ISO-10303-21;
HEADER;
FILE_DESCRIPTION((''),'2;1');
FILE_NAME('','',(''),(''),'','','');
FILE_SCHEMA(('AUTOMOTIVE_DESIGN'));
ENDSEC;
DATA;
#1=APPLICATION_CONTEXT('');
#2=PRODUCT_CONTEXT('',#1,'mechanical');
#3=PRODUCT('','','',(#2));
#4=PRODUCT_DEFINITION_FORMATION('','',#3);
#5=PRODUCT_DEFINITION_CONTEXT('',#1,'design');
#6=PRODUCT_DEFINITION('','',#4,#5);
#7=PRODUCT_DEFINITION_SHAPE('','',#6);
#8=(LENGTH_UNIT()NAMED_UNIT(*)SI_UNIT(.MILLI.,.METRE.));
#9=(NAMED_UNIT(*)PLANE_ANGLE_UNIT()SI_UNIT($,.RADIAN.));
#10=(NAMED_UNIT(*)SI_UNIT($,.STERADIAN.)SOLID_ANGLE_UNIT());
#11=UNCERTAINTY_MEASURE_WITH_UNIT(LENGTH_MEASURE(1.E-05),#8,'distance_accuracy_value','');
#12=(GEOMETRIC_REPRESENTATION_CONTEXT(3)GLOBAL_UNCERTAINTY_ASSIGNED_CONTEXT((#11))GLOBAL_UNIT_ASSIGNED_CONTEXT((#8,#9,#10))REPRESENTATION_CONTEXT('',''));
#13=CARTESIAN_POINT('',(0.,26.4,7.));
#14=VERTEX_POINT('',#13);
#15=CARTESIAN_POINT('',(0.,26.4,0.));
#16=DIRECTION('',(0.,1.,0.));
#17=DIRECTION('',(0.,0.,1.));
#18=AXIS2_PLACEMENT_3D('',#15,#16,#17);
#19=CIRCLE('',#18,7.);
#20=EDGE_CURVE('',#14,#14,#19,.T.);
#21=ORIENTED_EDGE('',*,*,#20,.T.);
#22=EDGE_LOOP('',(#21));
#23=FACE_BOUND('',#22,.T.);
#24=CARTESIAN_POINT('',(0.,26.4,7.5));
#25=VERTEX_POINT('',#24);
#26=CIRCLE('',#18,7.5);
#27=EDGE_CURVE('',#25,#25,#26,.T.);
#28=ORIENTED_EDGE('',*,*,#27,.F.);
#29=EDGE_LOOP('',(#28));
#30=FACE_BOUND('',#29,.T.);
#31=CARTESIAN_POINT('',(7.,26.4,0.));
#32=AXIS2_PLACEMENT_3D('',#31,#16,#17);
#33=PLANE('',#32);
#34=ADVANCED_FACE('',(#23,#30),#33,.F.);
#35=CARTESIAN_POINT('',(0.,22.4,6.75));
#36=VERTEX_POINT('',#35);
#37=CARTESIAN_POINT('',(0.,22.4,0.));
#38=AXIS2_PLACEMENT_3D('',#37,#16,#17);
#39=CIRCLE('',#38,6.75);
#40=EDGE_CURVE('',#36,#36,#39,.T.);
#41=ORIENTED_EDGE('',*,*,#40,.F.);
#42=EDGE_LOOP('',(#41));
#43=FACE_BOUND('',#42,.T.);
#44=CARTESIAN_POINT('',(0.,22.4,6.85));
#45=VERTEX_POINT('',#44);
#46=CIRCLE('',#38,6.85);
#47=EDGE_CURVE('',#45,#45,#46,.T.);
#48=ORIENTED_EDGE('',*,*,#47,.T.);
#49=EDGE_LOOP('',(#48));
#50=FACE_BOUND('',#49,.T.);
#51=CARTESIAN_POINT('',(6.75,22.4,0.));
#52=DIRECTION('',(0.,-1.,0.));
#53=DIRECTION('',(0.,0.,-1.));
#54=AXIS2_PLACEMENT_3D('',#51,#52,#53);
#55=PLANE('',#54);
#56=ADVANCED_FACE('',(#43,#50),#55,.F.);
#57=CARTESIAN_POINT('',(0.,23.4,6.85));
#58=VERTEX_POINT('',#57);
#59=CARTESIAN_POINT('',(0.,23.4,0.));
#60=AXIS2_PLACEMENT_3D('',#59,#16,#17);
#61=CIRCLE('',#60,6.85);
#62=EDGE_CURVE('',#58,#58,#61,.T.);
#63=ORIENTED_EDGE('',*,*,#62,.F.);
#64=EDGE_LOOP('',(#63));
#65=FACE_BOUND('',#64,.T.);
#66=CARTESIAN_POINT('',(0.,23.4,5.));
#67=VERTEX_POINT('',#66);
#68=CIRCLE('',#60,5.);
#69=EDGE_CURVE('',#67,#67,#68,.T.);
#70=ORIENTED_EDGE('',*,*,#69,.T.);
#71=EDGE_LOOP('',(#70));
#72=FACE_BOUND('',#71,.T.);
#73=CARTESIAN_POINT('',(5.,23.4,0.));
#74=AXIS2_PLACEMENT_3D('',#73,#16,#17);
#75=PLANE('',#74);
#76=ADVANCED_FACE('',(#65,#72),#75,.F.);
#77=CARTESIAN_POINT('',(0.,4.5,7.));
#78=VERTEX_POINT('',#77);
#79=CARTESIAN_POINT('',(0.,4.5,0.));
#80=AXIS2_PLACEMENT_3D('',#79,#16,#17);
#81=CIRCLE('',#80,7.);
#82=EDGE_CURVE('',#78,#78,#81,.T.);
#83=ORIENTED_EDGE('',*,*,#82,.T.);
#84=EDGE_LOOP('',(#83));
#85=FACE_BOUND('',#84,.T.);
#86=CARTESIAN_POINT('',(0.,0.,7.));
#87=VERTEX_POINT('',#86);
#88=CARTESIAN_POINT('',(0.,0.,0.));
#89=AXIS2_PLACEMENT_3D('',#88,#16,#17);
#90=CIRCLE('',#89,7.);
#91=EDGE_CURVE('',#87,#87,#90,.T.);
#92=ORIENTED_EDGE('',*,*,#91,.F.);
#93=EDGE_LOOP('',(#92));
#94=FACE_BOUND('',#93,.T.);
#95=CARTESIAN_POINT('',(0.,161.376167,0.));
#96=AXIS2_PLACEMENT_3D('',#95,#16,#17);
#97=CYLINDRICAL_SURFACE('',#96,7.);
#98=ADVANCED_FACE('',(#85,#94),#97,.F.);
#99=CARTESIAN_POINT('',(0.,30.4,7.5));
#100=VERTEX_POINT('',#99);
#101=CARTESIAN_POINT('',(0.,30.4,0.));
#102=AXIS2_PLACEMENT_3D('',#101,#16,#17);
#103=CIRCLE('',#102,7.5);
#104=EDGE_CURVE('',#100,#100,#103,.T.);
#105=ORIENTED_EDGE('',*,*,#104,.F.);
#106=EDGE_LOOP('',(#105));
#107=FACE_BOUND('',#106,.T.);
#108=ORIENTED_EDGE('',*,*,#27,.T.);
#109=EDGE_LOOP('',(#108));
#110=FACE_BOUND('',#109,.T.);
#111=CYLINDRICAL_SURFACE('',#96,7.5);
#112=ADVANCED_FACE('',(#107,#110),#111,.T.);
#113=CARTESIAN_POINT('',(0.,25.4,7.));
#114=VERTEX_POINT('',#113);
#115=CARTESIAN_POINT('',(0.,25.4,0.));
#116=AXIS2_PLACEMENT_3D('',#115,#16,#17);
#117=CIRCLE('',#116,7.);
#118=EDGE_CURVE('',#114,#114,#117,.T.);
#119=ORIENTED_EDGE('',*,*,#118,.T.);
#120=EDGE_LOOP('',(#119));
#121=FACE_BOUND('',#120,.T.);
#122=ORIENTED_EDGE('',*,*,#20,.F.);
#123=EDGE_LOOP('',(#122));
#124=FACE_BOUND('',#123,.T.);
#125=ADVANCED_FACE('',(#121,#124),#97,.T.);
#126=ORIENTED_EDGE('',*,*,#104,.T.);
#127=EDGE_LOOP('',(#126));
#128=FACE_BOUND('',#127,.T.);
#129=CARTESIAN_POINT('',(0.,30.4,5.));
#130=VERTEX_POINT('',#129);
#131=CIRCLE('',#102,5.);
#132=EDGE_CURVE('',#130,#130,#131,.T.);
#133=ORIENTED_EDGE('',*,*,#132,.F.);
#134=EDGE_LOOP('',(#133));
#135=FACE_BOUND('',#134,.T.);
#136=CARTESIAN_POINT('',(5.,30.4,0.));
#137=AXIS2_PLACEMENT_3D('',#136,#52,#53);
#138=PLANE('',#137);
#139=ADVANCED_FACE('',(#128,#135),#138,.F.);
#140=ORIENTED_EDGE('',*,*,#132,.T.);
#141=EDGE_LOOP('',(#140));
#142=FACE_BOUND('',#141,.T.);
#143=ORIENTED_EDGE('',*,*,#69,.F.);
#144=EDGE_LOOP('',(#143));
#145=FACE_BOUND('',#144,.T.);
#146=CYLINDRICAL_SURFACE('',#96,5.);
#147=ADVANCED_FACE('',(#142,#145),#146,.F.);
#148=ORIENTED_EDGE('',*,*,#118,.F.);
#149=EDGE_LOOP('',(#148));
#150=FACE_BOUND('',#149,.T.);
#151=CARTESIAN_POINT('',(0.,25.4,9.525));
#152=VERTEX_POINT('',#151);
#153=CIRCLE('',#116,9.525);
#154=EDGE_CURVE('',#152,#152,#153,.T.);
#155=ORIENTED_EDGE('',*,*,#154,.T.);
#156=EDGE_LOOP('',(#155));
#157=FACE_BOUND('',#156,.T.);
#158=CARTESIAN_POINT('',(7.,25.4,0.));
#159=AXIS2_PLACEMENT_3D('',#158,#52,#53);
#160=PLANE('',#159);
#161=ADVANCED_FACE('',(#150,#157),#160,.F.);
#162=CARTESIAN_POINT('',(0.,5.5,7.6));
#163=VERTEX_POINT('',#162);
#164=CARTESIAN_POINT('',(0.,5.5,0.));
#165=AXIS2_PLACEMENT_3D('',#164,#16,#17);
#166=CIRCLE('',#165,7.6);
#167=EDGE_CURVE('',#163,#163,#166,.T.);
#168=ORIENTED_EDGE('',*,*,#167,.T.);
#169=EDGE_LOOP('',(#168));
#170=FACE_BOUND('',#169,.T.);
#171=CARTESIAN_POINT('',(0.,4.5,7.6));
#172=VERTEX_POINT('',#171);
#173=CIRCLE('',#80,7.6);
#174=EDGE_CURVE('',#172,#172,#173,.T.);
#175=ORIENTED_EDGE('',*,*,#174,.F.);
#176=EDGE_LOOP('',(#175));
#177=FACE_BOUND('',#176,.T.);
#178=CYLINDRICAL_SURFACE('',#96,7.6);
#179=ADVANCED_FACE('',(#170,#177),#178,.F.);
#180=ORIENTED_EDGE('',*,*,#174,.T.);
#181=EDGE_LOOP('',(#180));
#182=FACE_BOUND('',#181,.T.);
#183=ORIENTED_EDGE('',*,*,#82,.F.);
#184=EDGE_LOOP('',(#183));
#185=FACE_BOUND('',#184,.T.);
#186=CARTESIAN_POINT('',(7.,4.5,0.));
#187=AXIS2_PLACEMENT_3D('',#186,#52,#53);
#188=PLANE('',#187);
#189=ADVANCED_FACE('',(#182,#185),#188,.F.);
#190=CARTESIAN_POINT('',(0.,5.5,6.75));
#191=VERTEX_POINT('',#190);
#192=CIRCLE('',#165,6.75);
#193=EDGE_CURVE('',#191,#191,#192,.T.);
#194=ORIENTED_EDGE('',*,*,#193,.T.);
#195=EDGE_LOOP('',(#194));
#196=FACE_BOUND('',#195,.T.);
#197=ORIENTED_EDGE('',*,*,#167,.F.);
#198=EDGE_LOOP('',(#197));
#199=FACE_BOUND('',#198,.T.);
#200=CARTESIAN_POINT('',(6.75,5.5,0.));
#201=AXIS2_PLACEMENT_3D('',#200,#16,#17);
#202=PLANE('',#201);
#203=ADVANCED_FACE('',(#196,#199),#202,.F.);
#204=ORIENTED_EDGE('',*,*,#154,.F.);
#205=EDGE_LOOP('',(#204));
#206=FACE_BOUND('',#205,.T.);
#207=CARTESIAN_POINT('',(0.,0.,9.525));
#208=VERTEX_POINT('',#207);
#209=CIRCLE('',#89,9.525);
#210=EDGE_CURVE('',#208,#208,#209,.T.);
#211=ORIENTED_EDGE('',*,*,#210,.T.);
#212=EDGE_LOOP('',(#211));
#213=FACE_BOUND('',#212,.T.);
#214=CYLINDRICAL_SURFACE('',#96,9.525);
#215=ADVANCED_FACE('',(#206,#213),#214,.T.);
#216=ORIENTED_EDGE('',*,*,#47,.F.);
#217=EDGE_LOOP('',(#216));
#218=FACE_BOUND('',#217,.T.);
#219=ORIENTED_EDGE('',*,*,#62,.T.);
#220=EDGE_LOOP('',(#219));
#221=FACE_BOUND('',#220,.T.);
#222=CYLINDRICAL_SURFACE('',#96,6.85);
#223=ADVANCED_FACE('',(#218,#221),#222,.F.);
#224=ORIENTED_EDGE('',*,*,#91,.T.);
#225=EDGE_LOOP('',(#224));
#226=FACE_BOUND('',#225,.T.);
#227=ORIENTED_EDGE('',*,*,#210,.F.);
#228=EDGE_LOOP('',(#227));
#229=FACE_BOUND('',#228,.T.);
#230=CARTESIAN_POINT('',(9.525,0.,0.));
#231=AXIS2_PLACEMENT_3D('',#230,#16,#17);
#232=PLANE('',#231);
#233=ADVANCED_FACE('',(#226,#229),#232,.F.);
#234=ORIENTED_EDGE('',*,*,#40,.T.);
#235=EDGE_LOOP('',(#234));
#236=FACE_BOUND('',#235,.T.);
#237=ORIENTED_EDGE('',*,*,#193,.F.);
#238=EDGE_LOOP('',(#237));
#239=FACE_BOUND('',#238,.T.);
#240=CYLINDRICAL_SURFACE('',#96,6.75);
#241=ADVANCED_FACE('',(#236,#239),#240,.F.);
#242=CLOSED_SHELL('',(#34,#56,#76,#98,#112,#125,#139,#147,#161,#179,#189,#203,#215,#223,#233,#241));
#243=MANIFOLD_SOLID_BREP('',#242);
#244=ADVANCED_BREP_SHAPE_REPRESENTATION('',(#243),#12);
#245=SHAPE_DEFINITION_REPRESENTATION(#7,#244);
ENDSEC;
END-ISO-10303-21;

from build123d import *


with BuildPart() as part:
    # 草图1 → 旋转1 (revolve)
    with BuildSketch(Plane.XY, mode=Mode.PRIVATE) as revolve_1_sk:
        Polygon((7, 26.4), (7.5, 26.4), (7.5, 30.4), (5, 30.4), (5, 23.4), (6.85, 23.4), (6.85, 22.4), (6.75, 22.4), (6.75, 5.5), (7.6, 5.5), (7.6, 4.5), (7, 4.5), (7, 0), (9.525, 0), (9.525, 25.4), (7, 25.4), align=None)
    revolve(revolve_1_sk.sketch.rotate(Axis((0, 161.376166943, 0), (0, -1, 0)), 90), axis=Axis((0, 161.376166943, 0), (0, -1, 0)))  # turned: the seam where the file's is


solid = part.part
